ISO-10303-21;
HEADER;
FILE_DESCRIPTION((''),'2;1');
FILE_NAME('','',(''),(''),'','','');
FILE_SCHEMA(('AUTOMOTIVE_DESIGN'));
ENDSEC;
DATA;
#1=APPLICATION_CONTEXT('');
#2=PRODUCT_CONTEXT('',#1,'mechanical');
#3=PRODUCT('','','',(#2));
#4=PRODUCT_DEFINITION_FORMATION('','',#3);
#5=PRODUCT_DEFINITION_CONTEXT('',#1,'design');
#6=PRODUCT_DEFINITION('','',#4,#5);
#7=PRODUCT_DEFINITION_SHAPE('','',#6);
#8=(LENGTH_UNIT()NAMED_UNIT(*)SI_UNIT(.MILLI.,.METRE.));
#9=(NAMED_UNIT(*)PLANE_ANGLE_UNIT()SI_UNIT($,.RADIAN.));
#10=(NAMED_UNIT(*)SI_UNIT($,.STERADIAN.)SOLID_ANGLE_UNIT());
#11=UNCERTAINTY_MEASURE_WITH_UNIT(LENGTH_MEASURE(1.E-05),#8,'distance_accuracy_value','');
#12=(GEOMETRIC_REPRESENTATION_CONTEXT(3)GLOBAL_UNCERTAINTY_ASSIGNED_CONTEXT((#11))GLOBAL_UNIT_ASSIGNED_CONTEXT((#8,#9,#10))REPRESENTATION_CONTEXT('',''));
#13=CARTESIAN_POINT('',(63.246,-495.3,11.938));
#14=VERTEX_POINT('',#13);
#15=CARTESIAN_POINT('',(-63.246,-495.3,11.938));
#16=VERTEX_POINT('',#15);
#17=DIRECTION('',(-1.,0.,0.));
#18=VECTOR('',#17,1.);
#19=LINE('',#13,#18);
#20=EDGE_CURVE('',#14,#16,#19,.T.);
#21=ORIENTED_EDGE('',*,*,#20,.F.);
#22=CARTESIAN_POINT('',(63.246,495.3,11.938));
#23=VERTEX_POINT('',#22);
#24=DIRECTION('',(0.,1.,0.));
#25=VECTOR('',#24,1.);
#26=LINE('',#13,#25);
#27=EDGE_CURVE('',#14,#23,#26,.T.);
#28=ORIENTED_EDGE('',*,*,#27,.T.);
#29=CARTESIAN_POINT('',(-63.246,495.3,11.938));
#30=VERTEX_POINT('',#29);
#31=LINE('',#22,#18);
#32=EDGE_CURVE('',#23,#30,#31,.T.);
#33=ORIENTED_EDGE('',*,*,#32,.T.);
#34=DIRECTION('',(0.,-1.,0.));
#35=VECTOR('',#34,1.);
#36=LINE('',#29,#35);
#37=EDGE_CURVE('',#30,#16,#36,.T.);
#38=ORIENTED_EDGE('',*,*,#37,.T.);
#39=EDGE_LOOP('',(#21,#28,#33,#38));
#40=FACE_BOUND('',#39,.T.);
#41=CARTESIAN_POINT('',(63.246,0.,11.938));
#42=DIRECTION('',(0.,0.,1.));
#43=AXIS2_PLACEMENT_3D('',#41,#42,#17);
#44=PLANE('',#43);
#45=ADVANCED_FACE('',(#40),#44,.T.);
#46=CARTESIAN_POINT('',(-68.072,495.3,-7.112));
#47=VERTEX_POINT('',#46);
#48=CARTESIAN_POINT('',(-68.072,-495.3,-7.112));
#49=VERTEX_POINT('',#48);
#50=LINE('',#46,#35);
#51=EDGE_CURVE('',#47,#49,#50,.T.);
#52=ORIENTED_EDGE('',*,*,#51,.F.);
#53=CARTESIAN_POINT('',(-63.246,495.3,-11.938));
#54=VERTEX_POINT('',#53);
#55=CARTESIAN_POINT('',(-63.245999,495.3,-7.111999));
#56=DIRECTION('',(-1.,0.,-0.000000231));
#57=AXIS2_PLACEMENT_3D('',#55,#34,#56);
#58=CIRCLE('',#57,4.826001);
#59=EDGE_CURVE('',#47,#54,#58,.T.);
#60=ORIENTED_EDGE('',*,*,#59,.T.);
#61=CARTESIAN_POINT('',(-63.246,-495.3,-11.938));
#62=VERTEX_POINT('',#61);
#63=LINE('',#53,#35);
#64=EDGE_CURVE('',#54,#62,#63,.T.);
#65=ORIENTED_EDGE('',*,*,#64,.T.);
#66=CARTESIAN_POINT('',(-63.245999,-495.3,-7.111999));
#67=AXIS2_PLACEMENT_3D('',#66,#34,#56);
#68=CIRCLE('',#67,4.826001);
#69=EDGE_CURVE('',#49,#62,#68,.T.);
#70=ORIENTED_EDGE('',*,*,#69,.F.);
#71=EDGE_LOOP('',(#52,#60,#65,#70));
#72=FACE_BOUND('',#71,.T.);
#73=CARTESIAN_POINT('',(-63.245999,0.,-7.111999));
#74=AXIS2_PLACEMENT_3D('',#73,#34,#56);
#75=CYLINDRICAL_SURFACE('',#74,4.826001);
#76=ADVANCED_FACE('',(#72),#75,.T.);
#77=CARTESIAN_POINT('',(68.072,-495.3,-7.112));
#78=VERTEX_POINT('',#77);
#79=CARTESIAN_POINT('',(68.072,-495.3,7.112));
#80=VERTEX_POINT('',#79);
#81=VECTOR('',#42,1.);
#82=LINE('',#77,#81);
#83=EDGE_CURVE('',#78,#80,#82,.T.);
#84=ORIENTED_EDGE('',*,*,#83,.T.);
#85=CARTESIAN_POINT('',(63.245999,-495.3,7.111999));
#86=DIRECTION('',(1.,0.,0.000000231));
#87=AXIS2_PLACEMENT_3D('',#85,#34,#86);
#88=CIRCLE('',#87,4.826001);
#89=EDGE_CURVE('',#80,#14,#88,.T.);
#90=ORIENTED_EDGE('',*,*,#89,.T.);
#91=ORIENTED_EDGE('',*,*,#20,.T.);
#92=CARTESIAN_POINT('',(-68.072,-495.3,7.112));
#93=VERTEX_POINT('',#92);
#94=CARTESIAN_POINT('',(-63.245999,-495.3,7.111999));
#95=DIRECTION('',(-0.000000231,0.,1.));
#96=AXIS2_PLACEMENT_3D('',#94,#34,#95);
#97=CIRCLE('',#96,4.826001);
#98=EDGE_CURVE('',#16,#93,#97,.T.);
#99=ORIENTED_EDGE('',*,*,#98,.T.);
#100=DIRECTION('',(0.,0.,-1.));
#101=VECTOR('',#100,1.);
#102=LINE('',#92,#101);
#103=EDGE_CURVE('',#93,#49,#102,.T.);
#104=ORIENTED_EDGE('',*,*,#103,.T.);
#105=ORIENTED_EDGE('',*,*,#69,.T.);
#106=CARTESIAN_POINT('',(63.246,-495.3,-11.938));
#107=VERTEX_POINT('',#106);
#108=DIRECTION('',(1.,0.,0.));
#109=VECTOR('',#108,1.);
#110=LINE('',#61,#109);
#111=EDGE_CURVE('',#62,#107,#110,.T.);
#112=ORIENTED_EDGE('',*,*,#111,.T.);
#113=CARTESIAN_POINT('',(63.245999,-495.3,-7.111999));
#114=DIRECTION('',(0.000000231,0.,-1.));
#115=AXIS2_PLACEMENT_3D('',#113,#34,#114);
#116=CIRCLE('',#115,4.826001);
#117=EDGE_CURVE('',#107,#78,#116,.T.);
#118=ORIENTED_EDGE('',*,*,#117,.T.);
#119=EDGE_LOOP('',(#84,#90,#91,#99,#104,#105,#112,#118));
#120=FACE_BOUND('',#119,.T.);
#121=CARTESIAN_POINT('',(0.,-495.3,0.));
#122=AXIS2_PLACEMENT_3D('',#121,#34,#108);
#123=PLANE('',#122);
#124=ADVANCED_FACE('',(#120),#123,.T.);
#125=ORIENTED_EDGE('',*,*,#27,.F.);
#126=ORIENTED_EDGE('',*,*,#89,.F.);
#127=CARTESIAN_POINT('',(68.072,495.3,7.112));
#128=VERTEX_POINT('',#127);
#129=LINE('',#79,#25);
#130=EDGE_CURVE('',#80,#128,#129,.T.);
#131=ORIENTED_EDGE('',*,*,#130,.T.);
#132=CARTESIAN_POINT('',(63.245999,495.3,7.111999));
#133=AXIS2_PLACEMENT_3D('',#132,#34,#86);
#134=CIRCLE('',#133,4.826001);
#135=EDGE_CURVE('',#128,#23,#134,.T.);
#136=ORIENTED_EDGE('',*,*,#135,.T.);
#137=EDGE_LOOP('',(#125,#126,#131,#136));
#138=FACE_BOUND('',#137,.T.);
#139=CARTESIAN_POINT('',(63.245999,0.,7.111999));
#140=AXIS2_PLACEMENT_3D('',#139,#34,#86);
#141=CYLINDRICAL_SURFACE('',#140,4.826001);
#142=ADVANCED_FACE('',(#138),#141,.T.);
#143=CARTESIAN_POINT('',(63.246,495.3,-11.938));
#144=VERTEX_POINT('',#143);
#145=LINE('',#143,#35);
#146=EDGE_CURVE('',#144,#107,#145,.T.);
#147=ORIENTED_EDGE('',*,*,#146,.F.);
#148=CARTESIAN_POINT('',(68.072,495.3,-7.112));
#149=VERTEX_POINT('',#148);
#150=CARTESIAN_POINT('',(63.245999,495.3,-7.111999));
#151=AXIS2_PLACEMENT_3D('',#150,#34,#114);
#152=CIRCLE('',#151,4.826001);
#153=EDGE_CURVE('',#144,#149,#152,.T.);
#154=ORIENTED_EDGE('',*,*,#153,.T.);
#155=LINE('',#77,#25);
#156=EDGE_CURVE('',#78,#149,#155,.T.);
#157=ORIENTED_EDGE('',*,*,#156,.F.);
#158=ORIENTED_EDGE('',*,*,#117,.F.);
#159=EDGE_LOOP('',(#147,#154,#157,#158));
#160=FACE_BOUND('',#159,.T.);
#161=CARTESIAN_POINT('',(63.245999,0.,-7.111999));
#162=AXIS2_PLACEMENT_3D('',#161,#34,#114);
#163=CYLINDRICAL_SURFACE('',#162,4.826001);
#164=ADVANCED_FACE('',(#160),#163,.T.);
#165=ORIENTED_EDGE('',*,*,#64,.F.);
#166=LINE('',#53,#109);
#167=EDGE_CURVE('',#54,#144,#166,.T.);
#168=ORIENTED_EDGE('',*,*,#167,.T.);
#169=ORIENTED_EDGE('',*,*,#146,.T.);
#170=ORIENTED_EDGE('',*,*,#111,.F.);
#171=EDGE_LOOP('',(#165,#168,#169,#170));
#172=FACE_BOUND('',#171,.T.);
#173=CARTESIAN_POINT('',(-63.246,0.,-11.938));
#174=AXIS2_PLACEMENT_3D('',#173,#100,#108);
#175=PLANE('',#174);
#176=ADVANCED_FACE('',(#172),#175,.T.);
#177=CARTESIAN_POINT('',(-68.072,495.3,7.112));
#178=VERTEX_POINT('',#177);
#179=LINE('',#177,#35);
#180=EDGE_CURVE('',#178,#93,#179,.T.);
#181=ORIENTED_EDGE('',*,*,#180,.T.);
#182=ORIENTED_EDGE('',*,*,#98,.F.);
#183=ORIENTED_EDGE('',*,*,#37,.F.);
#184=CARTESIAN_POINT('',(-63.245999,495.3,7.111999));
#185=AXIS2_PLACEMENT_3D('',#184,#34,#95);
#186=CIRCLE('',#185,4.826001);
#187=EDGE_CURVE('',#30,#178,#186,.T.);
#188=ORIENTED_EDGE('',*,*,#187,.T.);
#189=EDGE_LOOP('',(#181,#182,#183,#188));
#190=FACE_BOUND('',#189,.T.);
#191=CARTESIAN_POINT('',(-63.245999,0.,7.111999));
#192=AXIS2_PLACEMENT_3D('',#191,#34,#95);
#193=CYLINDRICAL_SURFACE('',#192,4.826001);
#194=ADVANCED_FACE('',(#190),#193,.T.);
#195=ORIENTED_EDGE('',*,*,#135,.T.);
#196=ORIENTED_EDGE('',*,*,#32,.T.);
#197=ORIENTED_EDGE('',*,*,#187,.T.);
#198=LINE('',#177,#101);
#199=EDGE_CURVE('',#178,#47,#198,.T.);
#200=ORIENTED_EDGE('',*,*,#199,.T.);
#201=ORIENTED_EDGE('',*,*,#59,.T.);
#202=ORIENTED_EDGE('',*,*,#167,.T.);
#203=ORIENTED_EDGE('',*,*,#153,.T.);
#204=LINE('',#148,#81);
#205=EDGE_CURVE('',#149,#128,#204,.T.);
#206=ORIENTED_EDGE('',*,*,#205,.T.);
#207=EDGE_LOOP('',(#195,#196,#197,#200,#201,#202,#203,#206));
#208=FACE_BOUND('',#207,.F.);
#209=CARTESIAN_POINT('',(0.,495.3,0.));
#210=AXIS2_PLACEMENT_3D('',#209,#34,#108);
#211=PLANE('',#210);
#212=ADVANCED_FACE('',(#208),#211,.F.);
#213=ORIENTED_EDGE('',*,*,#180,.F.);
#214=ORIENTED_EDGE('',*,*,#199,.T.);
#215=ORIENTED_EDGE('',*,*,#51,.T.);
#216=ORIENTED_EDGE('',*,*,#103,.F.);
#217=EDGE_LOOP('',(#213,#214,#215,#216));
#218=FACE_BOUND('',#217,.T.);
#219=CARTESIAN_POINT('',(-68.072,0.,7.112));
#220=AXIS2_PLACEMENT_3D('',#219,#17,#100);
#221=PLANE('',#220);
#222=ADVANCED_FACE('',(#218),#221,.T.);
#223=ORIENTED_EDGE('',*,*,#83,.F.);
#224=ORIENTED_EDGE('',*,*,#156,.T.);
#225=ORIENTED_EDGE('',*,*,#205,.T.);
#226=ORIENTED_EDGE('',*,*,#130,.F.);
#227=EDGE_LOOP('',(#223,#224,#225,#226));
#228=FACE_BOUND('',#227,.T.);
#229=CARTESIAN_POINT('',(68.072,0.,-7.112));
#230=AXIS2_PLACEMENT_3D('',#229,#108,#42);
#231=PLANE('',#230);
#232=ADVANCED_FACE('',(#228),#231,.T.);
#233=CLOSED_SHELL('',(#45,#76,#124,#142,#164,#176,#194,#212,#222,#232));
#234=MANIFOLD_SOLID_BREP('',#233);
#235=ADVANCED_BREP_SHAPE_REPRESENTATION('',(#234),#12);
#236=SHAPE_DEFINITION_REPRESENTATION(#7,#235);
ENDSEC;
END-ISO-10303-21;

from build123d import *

# Parameters (mm, degrees)
F1_DEPTH = 495.3


with BuildPart() as f1:
    # F0 (on Front) → F1 (new body, symmetric)
    with BuildSketch(Plane.XZ):
        with BuildLine():
            Line((63.246, 11.938), (-63.246, 11.938))
            ThreePointArc((-63.246, 11.938), (-66.658497, 10.524497), (-68.072, 7.112))
            Line((-68.072, 7.112), (-68.072, -7.112))
            ThreePointArc((-68.072, -7.112), (-66.658497, -10.524497), (-63.246, -11.938))
            Line((-63.246, -11.938), (63.246, -11.938))
            ThreePointArc((63.246, -11.938), (66.658497, -10.524497), (68.072, -7.112))
            Line((68.072, -7.112), (68.072, 7.112))
            ThreePointArc((68.072, 7.112), (66.658497, 10.524497), (63.246, 11.938))
        make_face()
    extrude(amount=F1_DEPTH, both=True)


solid = f1.part
